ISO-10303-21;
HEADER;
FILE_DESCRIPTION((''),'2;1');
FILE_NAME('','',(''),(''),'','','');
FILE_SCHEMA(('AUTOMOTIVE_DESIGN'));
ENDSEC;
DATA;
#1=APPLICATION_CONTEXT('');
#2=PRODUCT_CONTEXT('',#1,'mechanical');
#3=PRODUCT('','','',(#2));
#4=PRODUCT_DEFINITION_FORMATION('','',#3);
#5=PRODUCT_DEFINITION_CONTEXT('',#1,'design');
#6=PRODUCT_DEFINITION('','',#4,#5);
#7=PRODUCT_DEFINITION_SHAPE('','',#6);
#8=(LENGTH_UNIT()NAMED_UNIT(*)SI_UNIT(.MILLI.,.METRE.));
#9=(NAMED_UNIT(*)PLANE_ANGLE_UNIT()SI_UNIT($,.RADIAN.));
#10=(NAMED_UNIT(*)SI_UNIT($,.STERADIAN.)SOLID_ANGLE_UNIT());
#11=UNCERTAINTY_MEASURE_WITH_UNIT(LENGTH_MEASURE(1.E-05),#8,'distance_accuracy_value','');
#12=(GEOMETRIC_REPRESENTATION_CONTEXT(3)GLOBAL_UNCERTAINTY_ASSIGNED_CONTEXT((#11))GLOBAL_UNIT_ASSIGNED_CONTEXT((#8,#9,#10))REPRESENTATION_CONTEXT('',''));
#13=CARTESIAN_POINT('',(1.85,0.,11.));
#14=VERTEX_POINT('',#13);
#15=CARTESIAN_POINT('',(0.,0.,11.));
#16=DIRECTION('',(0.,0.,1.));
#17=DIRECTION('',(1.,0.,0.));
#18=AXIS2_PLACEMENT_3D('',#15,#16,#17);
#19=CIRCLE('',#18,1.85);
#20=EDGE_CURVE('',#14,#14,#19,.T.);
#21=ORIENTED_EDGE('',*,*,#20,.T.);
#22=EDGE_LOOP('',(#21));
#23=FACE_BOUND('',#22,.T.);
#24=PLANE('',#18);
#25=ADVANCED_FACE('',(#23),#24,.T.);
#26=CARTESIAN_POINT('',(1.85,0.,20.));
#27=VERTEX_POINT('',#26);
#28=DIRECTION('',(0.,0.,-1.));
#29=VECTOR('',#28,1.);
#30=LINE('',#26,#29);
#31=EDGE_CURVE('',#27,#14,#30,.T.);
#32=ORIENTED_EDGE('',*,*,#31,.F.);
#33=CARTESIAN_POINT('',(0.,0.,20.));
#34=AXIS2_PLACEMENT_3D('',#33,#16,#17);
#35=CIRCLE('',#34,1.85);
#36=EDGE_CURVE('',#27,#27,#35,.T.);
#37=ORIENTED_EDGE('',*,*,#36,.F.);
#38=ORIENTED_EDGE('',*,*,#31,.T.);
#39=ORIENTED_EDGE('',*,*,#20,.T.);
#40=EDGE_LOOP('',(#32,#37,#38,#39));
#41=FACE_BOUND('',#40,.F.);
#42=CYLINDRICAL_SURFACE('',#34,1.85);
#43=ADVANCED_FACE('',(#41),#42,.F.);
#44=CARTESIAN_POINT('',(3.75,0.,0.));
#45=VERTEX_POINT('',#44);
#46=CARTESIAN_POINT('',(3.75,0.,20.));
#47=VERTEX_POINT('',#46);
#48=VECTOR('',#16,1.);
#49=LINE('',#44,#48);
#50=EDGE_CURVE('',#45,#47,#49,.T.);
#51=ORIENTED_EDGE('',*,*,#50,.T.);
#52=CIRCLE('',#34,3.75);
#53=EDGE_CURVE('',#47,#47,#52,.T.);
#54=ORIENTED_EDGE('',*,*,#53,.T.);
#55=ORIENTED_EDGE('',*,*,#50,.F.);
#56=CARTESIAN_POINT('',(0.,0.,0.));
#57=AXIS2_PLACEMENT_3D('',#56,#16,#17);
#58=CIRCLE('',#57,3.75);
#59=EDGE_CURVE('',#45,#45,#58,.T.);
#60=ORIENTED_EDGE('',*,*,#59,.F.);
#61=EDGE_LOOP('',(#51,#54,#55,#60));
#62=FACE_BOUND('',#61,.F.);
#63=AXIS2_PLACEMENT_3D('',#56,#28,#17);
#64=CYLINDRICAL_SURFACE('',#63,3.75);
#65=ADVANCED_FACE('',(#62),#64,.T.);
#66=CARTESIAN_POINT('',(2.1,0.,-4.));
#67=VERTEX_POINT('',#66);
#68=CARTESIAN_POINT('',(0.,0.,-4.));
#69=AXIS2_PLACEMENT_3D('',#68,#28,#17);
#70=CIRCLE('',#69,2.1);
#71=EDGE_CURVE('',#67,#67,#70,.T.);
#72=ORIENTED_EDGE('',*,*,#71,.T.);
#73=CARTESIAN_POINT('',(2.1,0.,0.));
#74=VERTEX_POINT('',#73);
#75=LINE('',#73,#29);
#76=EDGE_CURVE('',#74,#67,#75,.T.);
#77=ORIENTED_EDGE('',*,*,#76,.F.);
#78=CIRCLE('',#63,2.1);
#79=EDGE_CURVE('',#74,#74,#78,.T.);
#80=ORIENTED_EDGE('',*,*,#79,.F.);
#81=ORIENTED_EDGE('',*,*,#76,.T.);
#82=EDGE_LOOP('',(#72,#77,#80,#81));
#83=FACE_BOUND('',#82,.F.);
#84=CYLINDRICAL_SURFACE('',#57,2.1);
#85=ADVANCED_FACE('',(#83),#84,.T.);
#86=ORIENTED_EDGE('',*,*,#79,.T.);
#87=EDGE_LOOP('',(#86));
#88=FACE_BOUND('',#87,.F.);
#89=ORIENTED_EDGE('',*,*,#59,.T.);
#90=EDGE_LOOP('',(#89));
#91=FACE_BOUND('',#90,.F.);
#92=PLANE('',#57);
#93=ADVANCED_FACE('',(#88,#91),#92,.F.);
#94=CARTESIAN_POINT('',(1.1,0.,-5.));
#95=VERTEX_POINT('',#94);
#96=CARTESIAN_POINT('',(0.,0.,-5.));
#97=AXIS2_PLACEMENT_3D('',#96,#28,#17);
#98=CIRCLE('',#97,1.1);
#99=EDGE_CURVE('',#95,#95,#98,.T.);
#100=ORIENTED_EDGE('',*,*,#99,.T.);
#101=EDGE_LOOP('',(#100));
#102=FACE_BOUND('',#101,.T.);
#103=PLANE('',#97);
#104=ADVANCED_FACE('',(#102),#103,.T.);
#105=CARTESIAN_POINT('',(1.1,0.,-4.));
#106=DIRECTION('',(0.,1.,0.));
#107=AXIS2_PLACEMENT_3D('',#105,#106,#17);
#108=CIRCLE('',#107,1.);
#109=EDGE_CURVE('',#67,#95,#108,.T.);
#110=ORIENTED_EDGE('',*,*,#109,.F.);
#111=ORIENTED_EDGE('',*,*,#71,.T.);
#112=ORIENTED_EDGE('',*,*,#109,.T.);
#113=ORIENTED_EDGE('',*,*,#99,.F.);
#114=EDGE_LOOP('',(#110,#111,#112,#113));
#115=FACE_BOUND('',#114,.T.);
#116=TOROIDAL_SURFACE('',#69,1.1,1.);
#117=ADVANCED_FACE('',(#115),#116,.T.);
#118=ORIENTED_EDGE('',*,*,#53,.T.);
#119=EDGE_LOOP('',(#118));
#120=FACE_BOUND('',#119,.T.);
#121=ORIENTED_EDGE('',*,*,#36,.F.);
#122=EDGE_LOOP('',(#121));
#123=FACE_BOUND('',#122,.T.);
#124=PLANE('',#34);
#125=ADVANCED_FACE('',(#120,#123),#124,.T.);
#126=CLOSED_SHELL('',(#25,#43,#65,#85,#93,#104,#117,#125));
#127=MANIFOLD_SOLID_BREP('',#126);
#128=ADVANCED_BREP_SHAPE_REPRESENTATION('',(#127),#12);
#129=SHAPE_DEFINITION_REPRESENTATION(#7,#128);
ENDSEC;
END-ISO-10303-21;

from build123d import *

# Parameters (mm, degrees)
SKETCH_R     = 3.75
PAD_DEPTH    = 20
SKETCH001_R  = 1.85
POCKET_DEPTH = 9
SKETCH002_R  = 2.1
PAD001_DEPTH = 5
FILLET_R     = 1


with BuildPart() as part:
    # Sketch → Pad (new body)
    with BuildSketch(Plane.XY):
        Circle(SKETCH_R)
    extrude(amount=PAD_DEPTH)

    # Sketch001 (on Face3 of Pad) → Pocket (cut)
    with BuildSketch(Plane.XY.offset(20)):
        Circle(SKETCH001_R)
    extrude(amount=-POCKET_DEPTH, mode=Mode.SUBTRACT)

    # Sketch002 (on Face2 of Pocket) → Pad001 (join)
    with BuildSketch(Plane(origin=(0, 0, 0), x_dir=(1, 0, 0), z_dir=(0, 0, -1))):
        Circle(SKETCH002_R)
    extrude(amount=PAD001_DEPTH)

    # Fillet
    fillet_edges = [part.edges().sort_by_distance(p)[0] for p in [
        (-2.1, 0, -5),
    ]]
    fillet(fillet_edges, radius=FILLET_R)


solid = part.part
